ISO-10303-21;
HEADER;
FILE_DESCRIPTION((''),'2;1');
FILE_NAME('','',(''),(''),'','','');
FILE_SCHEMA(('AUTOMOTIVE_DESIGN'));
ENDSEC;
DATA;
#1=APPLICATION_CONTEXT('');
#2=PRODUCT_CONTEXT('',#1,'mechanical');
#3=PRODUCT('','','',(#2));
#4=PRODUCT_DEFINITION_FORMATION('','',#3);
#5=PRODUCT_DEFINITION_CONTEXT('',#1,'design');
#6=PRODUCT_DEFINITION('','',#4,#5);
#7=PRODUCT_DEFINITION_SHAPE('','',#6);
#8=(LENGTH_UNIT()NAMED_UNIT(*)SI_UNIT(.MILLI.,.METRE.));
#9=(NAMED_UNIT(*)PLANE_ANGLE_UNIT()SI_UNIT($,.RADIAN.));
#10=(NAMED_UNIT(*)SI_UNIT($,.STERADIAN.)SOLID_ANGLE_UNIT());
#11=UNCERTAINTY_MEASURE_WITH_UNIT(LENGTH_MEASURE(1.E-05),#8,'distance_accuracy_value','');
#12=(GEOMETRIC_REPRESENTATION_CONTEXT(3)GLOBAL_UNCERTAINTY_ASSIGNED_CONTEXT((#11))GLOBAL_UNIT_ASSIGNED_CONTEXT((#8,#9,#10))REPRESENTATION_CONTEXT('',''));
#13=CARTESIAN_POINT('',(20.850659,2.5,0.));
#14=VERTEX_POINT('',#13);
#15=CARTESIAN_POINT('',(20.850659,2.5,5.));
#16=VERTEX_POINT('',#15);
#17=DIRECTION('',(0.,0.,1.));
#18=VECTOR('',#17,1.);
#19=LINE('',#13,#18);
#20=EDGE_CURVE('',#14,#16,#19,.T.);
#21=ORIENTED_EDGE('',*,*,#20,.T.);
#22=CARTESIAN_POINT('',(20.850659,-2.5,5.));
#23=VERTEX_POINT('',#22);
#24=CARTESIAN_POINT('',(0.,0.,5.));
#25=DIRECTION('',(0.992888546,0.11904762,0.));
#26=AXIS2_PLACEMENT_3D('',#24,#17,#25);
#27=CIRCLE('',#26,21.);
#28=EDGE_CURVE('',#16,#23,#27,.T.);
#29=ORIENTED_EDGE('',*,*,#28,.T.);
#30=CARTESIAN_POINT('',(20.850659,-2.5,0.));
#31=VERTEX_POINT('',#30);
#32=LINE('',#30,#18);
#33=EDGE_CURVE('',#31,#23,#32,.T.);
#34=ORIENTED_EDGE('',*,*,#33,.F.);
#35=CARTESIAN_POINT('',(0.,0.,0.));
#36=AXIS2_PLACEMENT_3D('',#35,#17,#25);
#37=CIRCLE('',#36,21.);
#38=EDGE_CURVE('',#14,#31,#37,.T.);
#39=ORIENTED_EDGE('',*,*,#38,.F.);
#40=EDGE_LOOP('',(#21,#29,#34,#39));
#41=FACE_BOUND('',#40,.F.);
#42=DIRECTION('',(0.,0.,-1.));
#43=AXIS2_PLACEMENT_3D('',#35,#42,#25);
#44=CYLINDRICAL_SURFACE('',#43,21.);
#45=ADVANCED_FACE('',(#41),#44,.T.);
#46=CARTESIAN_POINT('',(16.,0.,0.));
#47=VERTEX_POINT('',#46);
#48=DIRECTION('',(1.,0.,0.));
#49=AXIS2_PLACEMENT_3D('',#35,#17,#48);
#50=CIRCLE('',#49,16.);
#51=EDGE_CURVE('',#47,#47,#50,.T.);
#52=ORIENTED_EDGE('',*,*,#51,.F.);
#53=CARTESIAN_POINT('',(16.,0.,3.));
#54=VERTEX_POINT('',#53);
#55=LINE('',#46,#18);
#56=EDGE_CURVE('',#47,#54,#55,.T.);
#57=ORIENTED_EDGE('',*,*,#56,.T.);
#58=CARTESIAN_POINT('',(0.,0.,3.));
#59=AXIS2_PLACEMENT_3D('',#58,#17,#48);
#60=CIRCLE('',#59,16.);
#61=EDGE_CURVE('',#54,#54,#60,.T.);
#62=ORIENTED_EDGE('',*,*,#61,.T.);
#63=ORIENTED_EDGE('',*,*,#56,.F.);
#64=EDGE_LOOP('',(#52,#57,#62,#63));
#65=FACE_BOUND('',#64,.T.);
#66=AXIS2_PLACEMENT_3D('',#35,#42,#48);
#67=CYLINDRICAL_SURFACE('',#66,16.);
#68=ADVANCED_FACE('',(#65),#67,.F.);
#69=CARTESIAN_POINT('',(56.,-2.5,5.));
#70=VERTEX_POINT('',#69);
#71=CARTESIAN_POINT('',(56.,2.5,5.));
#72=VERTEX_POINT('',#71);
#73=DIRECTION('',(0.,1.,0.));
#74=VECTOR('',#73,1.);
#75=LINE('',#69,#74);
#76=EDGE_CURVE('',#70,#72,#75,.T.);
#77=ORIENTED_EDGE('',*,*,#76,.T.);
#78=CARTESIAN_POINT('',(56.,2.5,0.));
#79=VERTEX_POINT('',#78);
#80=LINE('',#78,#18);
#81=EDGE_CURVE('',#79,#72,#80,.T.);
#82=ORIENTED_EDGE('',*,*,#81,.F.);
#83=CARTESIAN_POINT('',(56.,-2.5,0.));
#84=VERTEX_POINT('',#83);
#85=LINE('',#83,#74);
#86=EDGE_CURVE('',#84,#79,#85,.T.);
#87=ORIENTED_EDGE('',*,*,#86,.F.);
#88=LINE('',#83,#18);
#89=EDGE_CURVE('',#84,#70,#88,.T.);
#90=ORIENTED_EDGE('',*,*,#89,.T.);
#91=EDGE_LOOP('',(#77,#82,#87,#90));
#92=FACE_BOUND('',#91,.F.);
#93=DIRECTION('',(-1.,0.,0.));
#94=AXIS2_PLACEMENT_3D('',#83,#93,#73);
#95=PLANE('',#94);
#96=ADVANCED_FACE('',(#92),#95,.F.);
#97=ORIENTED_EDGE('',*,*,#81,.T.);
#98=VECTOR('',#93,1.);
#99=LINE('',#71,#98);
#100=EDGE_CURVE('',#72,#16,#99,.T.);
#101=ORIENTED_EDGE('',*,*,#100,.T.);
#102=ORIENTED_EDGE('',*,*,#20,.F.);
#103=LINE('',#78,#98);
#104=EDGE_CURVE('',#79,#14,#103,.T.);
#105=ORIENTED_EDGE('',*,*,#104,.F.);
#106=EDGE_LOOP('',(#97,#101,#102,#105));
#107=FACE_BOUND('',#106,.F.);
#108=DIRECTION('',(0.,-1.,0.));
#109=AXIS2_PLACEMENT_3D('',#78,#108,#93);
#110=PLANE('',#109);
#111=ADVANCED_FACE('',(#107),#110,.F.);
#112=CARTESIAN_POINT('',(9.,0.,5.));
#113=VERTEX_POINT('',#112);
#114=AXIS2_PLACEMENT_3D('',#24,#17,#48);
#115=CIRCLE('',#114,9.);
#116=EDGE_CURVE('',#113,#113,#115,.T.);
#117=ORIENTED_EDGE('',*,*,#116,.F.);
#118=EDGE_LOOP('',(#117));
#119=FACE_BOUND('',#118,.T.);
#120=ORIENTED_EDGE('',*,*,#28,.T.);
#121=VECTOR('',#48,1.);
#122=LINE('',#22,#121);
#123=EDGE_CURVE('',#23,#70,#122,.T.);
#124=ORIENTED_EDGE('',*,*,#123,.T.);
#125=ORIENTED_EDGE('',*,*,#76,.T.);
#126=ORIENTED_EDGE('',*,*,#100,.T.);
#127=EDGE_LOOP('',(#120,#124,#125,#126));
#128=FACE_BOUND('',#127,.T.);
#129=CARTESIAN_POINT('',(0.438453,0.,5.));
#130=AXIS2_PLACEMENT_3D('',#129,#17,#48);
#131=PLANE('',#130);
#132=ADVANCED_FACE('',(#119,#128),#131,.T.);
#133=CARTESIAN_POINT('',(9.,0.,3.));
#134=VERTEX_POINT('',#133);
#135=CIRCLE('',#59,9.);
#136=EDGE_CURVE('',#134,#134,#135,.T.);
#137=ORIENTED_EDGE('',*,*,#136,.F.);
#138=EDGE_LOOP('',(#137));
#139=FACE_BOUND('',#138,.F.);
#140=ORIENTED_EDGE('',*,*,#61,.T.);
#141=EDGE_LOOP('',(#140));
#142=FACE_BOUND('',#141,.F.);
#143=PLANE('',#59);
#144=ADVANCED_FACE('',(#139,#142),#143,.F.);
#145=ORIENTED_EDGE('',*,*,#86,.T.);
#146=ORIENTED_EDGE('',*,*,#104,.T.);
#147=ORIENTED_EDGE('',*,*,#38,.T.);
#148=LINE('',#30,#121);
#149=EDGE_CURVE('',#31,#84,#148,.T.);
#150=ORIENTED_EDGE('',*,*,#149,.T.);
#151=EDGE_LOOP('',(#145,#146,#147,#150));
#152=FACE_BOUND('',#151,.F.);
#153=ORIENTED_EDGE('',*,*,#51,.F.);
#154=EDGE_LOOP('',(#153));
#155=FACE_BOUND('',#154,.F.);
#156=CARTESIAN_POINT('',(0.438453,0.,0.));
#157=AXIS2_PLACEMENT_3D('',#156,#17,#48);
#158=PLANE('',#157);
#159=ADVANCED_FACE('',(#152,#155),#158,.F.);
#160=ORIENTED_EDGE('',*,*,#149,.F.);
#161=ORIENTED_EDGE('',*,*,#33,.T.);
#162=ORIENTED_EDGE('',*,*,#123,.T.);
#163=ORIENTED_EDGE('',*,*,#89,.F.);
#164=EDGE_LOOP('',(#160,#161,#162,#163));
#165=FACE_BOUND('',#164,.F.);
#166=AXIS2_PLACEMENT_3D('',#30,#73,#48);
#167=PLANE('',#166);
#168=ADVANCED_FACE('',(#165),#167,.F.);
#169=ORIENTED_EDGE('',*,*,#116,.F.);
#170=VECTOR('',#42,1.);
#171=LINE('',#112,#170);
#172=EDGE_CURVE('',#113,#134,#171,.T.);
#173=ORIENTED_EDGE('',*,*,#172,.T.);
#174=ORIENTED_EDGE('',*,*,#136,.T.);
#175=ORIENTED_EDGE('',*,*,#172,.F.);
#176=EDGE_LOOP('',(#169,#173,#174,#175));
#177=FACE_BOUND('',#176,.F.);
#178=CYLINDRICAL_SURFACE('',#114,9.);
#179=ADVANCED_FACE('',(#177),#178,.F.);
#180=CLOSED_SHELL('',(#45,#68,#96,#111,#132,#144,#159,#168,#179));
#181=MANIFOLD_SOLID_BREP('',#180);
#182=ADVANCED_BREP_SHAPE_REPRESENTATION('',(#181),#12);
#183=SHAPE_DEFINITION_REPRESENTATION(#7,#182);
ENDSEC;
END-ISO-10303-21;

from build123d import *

# Parameters (mm, degrees)
F0_R     = 16
F1_DEPTH = 5
F2_DEPTH = 3
F3_R     = 9
F4_DEPTH = 5.001


with BuildPart() as f1:
    # F0 (on Top) → F1 (new body)
    with BuildSketch(Plane.XY):
        with BuildLine():
            ThreePointArc((20.850659, -2.5), (20.962632, -1.252228), (21, 0))
            ThreePointArc((21, 0), (20.962632, 1.252228), (20.850659, 2.5))
            ThreePointArc((20.850659, 2.5), (-21, 0), (20.850659, -2.5))
        make_face()
        Circle(F0_R, mode=Mode.SUBTRACT)
        with BuildLine():
            ThreePointArc((20.850659, 2.5), (20.962632, 1.252228), (21, 0))
            ThreePointArc((21, 0), (20.962632, -1.252228), (20.850659, -2.5))
            Line((20.850659, -2.5), (56, -2.5))
            Line((56, -2.5), (56, 0))
            Line((56, 0), (56, 2.5))
            Line((56, 2.5), (20.850659, 2.5))
        make_face()
        Circle(F0_R)
    extrude(amount=F1_DEPTH)

    # F0 (on Top) → F2 (cut)
    with BuildSketch(Plane.XY):
        Circle(F0_R)
    extrude(amount=F2_DEPTH, mode=Mode.SUBTRACT)

    # F3 (on face) → F4 (cut, through all)
    with BuildSketch(Plane.XY.offset(5)):
        Circle(F3_R)
    extrude(amount=-F4_DEPTH, mode=Mode.SUBTRACT)


solid = f1.part
